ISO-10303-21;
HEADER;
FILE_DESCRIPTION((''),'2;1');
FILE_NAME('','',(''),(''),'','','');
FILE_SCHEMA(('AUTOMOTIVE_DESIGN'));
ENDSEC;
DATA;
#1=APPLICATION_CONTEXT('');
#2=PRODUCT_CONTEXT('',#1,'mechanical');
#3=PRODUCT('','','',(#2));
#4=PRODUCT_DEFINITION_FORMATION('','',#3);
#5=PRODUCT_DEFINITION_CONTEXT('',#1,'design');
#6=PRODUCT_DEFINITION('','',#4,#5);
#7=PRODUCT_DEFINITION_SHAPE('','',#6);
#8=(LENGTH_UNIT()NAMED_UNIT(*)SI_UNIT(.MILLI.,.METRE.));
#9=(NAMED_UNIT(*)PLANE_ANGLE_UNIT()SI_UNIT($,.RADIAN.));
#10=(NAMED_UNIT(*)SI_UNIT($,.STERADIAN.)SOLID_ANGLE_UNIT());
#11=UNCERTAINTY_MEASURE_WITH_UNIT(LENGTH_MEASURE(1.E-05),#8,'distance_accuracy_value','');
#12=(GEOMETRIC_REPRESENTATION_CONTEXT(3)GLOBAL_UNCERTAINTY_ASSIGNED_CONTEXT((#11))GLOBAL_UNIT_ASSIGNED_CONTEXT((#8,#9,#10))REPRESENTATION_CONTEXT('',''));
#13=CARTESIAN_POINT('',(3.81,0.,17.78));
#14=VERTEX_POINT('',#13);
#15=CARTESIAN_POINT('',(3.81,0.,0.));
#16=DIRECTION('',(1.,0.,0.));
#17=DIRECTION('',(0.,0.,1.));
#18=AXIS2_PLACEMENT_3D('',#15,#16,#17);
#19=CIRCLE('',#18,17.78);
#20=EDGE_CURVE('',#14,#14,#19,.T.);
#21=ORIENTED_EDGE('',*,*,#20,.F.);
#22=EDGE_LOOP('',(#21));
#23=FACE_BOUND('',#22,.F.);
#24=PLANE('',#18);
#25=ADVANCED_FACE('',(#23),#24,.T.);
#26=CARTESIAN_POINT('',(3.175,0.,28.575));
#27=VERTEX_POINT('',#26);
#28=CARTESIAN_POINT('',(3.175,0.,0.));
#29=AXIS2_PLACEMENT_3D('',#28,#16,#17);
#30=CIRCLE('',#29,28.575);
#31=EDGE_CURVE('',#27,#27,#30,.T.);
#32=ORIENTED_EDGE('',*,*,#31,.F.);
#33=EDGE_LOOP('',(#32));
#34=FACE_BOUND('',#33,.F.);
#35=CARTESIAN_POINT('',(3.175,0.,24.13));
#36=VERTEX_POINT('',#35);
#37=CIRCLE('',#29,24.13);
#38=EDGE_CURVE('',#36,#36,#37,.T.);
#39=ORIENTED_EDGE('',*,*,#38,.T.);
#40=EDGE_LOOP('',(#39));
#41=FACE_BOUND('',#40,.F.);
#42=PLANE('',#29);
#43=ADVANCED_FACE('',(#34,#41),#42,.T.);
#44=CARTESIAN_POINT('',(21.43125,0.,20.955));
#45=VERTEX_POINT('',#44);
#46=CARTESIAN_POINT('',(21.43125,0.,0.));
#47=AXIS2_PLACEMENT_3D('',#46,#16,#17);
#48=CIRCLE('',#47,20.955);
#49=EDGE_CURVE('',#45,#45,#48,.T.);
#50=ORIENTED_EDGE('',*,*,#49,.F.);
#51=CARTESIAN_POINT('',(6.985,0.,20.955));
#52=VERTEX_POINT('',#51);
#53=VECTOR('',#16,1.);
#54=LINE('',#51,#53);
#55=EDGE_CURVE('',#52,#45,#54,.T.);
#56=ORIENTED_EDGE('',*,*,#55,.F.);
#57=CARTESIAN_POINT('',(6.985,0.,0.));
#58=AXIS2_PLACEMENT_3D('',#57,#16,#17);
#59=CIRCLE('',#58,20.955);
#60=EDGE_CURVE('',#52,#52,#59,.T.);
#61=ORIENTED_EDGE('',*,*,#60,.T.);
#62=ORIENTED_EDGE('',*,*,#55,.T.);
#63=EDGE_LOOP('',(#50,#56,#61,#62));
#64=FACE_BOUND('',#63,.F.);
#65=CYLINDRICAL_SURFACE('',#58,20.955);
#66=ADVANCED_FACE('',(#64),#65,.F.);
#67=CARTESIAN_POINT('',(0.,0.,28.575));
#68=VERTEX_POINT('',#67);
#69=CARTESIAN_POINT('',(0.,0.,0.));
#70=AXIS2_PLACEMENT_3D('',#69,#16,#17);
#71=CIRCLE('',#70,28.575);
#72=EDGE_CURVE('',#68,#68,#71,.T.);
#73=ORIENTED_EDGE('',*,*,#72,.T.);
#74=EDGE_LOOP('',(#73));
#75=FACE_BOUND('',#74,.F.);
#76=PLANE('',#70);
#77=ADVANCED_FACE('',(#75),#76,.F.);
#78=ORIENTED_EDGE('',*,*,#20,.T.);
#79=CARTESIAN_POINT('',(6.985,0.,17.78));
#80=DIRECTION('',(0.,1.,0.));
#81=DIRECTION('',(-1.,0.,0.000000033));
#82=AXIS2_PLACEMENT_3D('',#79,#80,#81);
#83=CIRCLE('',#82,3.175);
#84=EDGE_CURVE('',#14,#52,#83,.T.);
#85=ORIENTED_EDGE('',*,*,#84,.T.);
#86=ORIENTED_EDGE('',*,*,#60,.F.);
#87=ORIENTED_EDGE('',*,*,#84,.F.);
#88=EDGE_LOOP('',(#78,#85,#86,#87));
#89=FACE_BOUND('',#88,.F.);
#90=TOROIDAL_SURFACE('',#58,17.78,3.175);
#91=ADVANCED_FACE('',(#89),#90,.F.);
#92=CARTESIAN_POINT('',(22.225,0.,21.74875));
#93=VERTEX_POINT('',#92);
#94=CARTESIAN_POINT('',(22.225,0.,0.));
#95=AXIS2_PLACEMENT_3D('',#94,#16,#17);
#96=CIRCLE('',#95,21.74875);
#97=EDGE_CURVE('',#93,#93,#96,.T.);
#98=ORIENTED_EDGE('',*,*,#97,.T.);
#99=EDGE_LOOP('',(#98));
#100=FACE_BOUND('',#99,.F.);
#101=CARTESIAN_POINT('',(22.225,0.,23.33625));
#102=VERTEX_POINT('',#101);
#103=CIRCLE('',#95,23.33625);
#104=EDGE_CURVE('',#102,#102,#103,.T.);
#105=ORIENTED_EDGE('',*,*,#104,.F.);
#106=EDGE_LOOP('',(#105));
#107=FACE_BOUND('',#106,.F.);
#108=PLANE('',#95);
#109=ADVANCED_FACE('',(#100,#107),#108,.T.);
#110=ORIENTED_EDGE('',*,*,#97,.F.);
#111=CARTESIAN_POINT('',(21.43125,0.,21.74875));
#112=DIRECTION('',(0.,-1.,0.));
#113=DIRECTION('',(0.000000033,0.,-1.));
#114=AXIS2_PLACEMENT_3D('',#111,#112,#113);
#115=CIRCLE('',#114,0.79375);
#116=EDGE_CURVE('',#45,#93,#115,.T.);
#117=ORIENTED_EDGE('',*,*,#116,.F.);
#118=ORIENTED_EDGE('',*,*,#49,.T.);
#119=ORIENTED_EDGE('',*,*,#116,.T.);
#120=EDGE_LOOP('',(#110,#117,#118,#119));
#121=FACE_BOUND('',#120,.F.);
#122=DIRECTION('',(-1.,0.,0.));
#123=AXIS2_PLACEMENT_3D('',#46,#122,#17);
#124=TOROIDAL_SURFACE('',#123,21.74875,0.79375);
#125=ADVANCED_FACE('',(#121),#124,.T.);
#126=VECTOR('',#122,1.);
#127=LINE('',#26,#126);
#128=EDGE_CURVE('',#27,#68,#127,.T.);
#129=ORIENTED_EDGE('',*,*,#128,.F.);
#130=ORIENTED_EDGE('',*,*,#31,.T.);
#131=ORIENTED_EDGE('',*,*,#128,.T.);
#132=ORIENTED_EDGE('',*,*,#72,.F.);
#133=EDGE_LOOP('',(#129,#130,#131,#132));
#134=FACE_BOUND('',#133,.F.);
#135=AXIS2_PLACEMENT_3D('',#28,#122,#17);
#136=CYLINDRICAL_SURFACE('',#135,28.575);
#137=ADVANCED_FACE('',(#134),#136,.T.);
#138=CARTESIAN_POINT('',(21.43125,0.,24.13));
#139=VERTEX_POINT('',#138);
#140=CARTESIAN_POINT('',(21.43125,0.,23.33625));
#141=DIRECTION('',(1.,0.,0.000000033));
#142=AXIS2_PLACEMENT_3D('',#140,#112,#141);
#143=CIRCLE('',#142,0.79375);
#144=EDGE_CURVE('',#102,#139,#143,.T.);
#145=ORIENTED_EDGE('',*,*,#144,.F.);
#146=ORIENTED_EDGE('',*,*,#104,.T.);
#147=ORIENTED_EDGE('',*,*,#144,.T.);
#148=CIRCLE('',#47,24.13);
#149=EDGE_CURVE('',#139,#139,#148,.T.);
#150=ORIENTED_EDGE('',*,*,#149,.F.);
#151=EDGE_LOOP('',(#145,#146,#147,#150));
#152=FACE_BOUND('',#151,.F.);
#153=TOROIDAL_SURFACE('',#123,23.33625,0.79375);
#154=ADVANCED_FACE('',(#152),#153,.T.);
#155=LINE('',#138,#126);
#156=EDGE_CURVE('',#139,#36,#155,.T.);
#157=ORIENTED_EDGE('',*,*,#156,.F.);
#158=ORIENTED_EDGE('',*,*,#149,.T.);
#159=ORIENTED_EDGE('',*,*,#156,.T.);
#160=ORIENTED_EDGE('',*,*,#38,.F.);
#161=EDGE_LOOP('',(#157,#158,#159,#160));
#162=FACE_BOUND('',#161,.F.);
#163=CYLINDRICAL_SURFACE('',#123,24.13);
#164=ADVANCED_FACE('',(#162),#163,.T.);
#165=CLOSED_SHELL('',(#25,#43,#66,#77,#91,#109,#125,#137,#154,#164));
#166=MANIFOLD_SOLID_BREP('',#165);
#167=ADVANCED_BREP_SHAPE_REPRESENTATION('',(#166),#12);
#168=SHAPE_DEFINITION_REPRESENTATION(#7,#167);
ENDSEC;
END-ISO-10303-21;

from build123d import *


with BuildPart() as f1:
    # F0 (on Front) → F1 (revolve)
    with BuildSketch(Plane.XZ):
        with BuildLine():
            Line((0, 28.575), (0, 0))
            Line((0, 0), (3.81, 0))
            Line((3.81, 0), (3.81, 17.78))
            ThreePointArc((3.81, 17.78), (4.739936, 20.025064), (6.985, 20.955))
            Line((6.985, 20.955), (21.43125, 20.955))
            ThreePointArc((21.43125, 20.955), (21.992516, 21.187484), (22.225, 21.74875))
            Line((22.225, 21.74875), (22.225, 23.33625))
            ThreePointArc((22.225, 23.33625), (21.992516, 23.897516), (21.43125, 24.13))
            Line((21.43125, 24.13), (3.175, 24.13))
            Line((3.175, 24.13), (3.175, 28.575))
            Line((3.175, 28.575), (0.79375, 28.575))
            Line((0.79375, 28.575), (0, 28.575))
        make_face()
    revolve(axis=Axis((1.905, 0, 0), (1, 0, 0)))


solid = f1.part
